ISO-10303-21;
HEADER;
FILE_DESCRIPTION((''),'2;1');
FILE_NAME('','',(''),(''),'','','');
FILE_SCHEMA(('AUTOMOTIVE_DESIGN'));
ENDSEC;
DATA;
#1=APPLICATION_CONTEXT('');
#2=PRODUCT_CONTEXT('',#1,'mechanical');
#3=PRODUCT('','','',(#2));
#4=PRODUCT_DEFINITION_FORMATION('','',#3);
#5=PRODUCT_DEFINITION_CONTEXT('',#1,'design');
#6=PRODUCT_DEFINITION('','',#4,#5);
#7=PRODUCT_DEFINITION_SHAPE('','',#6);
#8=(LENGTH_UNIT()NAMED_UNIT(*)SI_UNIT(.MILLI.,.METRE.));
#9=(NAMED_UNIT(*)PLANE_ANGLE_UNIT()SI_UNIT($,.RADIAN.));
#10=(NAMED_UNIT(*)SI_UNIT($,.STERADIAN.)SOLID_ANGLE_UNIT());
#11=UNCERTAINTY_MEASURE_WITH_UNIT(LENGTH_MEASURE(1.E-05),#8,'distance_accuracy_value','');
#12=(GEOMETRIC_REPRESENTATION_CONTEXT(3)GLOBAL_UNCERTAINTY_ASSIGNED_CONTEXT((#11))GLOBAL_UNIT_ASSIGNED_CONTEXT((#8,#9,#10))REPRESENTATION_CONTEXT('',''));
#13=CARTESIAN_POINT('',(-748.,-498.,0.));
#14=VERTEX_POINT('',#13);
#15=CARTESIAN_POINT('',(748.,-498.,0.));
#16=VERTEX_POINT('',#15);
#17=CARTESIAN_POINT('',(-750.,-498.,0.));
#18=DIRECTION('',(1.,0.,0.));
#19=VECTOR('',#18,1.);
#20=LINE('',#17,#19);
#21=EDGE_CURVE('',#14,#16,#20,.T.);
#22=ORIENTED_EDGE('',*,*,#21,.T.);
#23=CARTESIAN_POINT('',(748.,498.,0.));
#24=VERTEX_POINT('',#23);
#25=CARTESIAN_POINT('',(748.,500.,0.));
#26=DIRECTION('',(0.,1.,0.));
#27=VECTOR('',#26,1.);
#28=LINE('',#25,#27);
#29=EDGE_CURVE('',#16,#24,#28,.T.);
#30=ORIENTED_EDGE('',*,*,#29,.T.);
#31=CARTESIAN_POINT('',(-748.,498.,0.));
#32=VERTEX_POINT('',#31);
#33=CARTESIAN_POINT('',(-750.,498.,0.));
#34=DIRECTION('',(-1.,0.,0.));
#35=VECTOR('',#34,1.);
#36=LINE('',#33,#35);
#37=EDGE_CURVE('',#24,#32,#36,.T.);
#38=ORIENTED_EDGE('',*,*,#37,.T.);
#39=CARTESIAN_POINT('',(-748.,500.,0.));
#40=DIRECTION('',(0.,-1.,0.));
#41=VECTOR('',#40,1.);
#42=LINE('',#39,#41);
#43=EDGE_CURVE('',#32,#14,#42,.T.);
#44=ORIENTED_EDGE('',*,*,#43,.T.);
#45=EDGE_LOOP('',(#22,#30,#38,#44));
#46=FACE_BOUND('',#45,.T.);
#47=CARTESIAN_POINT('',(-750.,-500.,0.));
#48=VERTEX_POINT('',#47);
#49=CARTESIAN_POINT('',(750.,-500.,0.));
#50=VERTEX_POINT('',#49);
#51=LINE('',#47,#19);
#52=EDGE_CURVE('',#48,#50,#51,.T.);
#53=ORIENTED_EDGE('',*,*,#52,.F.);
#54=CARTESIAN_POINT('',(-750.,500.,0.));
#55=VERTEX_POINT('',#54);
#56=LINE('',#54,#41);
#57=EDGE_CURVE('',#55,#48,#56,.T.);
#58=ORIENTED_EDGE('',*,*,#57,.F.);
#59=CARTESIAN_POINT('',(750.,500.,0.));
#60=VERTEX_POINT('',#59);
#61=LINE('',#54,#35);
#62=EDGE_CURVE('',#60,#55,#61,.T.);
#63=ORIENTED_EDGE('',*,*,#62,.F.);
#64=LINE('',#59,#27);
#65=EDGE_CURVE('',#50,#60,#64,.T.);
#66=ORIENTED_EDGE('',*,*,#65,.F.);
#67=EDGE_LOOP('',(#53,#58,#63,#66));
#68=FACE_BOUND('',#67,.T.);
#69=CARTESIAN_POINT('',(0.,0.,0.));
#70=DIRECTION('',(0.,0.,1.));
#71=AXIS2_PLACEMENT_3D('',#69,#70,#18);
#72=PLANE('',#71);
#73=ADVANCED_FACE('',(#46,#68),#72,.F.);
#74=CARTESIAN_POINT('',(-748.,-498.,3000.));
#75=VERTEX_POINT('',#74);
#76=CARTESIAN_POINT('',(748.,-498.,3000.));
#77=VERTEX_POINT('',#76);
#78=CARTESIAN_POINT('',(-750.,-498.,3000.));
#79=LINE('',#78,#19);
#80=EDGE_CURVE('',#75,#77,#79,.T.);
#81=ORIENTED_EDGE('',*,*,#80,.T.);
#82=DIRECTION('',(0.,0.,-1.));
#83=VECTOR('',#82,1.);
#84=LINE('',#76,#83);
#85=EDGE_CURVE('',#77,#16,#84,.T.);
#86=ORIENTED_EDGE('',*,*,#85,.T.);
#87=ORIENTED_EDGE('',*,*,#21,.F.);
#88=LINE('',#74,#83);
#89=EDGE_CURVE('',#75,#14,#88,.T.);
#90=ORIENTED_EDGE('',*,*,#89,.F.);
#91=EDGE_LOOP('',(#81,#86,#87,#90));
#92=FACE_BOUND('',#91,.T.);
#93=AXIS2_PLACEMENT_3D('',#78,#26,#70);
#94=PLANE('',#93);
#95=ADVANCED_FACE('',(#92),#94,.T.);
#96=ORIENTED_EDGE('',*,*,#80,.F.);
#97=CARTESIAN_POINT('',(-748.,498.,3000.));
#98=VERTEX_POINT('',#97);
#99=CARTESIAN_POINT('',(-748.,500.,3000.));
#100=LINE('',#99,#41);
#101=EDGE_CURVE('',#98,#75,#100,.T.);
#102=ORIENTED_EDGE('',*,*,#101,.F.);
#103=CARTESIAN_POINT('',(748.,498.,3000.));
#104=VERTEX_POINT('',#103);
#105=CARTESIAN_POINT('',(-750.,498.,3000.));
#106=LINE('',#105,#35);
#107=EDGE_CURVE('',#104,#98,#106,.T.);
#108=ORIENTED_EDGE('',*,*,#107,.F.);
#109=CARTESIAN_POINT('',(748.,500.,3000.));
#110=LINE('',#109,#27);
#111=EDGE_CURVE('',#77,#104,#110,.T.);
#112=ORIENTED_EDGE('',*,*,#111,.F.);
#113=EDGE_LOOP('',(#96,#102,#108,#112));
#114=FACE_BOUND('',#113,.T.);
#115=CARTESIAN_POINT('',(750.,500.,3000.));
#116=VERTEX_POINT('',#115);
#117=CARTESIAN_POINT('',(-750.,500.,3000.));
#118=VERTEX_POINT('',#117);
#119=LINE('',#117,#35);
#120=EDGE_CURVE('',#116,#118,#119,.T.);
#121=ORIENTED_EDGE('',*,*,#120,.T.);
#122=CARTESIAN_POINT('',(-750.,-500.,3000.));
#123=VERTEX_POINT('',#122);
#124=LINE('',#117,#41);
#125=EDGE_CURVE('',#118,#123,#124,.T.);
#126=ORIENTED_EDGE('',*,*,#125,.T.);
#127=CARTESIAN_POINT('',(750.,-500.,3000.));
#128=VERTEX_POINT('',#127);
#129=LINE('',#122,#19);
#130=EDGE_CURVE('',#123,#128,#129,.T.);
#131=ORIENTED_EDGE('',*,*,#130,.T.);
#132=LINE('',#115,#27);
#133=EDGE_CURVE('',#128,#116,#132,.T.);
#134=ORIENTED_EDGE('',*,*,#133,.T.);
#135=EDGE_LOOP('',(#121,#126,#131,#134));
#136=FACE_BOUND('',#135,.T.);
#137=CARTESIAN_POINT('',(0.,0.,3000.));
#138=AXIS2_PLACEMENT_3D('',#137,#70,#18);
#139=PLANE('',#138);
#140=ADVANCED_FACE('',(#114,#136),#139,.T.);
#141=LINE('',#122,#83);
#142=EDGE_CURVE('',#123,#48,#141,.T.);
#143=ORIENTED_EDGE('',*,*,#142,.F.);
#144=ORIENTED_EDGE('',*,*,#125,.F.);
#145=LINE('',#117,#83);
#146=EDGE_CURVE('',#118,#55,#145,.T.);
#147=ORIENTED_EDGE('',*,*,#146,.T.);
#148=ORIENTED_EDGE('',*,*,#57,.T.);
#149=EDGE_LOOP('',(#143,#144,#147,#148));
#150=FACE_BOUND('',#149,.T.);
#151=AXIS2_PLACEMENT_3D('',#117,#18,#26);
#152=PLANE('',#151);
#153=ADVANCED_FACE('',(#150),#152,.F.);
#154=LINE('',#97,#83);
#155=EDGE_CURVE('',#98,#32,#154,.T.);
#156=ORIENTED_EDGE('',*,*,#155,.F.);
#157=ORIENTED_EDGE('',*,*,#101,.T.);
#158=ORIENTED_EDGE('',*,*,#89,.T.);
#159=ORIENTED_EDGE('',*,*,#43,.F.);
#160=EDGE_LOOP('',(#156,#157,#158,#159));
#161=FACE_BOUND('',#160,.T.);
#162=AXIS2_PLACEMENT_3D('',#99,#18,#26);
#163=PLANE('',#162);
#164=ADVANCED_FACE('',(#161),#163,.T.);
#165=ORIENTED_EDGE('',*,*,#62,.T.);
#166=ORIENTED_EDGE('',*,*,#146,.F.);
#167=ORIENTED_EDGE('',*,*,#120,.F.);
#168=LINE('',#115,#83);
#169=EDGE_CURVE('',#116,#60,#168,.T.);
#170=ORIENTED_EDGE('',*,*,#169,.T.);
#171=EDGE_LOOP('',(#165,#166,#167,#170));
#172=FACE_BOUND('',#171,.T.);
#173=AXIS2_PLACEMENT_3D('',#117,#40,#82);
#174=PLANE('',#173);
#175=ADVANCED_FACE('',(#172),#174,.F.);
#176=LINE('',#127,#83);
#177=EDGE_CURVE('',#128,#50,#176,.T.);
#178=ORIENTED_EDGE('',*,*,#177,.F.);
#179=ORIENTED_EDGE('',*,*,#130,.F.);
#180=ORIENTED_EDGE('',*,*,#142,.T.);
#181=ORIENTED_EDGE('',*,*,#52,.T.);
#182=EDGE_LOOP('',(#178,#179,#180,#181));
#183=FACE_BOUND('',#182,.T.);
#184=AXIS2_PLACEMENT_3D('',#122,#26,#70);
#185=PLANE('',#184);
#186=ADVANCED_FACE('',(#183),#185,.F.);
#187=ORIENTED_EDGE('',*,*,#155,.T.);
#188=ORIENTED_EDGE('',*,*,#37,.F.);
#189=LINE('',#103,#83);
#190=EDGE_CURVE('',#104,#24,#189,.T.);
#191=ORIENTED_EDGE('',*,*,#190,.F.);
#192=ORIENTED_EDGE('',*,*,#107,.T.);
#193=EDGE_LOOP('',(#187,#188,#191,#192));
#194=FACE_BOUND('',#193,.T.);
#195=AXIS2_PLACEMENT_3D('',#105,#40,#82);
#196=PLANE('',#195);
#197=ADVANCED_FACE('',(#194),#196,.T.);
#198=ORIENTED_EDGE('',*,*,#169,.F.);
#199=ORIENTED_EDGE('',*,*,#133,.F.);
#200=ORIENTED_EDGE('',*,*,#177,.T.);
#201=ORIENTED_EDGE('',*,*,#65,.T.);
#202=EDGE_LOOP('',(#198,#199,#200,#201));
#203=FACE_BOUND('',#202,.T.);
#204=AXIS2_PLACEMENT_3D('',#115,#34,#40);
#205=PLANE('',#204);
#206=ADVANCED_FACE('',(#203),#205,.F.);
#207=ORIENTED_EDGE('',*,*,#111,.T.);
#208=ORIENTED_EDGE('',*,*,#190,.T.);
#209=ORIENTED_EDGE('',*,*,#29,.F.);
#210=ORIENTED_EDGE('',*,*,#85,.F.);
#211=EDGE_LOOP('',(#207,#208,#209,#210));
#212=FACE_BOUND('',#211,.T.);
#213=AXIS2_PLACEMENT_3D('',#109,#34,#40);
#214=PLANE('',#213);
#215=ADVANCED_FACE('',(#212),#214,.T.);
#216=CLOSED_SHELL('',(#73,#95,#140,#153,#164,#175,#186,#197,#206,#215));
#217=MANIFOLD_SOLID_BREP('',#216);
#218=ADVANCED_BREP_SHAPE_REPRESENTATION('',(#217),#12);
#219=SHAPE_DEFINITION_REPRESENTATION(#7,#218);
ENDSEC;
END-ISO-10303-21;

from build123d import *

# Parameters (mm, degrees)
DUCTSKETCH_W    = 1500
DUCTSKETCH_H    = 1000
DUCTSKETCH_W_2  = 1496
DUCTSKETCH_H_2  = 996
EXTRUSION_DEPTH = 3000


with BuildPart() as part:
    # DuctSketch → Extrusion (new body)
    with BuildSketch(Plane.XY):
        Rectangle(DUCTSKETCH_W, DUCTSKETCH_H)
        Rectangle(DUCTSKETCH_W_2, DUCTSKETCH_H_2, mode=Mode.SUBTRACT)
    extrude(amount=EXTRUSION_DEPTH)


solid = part.part
